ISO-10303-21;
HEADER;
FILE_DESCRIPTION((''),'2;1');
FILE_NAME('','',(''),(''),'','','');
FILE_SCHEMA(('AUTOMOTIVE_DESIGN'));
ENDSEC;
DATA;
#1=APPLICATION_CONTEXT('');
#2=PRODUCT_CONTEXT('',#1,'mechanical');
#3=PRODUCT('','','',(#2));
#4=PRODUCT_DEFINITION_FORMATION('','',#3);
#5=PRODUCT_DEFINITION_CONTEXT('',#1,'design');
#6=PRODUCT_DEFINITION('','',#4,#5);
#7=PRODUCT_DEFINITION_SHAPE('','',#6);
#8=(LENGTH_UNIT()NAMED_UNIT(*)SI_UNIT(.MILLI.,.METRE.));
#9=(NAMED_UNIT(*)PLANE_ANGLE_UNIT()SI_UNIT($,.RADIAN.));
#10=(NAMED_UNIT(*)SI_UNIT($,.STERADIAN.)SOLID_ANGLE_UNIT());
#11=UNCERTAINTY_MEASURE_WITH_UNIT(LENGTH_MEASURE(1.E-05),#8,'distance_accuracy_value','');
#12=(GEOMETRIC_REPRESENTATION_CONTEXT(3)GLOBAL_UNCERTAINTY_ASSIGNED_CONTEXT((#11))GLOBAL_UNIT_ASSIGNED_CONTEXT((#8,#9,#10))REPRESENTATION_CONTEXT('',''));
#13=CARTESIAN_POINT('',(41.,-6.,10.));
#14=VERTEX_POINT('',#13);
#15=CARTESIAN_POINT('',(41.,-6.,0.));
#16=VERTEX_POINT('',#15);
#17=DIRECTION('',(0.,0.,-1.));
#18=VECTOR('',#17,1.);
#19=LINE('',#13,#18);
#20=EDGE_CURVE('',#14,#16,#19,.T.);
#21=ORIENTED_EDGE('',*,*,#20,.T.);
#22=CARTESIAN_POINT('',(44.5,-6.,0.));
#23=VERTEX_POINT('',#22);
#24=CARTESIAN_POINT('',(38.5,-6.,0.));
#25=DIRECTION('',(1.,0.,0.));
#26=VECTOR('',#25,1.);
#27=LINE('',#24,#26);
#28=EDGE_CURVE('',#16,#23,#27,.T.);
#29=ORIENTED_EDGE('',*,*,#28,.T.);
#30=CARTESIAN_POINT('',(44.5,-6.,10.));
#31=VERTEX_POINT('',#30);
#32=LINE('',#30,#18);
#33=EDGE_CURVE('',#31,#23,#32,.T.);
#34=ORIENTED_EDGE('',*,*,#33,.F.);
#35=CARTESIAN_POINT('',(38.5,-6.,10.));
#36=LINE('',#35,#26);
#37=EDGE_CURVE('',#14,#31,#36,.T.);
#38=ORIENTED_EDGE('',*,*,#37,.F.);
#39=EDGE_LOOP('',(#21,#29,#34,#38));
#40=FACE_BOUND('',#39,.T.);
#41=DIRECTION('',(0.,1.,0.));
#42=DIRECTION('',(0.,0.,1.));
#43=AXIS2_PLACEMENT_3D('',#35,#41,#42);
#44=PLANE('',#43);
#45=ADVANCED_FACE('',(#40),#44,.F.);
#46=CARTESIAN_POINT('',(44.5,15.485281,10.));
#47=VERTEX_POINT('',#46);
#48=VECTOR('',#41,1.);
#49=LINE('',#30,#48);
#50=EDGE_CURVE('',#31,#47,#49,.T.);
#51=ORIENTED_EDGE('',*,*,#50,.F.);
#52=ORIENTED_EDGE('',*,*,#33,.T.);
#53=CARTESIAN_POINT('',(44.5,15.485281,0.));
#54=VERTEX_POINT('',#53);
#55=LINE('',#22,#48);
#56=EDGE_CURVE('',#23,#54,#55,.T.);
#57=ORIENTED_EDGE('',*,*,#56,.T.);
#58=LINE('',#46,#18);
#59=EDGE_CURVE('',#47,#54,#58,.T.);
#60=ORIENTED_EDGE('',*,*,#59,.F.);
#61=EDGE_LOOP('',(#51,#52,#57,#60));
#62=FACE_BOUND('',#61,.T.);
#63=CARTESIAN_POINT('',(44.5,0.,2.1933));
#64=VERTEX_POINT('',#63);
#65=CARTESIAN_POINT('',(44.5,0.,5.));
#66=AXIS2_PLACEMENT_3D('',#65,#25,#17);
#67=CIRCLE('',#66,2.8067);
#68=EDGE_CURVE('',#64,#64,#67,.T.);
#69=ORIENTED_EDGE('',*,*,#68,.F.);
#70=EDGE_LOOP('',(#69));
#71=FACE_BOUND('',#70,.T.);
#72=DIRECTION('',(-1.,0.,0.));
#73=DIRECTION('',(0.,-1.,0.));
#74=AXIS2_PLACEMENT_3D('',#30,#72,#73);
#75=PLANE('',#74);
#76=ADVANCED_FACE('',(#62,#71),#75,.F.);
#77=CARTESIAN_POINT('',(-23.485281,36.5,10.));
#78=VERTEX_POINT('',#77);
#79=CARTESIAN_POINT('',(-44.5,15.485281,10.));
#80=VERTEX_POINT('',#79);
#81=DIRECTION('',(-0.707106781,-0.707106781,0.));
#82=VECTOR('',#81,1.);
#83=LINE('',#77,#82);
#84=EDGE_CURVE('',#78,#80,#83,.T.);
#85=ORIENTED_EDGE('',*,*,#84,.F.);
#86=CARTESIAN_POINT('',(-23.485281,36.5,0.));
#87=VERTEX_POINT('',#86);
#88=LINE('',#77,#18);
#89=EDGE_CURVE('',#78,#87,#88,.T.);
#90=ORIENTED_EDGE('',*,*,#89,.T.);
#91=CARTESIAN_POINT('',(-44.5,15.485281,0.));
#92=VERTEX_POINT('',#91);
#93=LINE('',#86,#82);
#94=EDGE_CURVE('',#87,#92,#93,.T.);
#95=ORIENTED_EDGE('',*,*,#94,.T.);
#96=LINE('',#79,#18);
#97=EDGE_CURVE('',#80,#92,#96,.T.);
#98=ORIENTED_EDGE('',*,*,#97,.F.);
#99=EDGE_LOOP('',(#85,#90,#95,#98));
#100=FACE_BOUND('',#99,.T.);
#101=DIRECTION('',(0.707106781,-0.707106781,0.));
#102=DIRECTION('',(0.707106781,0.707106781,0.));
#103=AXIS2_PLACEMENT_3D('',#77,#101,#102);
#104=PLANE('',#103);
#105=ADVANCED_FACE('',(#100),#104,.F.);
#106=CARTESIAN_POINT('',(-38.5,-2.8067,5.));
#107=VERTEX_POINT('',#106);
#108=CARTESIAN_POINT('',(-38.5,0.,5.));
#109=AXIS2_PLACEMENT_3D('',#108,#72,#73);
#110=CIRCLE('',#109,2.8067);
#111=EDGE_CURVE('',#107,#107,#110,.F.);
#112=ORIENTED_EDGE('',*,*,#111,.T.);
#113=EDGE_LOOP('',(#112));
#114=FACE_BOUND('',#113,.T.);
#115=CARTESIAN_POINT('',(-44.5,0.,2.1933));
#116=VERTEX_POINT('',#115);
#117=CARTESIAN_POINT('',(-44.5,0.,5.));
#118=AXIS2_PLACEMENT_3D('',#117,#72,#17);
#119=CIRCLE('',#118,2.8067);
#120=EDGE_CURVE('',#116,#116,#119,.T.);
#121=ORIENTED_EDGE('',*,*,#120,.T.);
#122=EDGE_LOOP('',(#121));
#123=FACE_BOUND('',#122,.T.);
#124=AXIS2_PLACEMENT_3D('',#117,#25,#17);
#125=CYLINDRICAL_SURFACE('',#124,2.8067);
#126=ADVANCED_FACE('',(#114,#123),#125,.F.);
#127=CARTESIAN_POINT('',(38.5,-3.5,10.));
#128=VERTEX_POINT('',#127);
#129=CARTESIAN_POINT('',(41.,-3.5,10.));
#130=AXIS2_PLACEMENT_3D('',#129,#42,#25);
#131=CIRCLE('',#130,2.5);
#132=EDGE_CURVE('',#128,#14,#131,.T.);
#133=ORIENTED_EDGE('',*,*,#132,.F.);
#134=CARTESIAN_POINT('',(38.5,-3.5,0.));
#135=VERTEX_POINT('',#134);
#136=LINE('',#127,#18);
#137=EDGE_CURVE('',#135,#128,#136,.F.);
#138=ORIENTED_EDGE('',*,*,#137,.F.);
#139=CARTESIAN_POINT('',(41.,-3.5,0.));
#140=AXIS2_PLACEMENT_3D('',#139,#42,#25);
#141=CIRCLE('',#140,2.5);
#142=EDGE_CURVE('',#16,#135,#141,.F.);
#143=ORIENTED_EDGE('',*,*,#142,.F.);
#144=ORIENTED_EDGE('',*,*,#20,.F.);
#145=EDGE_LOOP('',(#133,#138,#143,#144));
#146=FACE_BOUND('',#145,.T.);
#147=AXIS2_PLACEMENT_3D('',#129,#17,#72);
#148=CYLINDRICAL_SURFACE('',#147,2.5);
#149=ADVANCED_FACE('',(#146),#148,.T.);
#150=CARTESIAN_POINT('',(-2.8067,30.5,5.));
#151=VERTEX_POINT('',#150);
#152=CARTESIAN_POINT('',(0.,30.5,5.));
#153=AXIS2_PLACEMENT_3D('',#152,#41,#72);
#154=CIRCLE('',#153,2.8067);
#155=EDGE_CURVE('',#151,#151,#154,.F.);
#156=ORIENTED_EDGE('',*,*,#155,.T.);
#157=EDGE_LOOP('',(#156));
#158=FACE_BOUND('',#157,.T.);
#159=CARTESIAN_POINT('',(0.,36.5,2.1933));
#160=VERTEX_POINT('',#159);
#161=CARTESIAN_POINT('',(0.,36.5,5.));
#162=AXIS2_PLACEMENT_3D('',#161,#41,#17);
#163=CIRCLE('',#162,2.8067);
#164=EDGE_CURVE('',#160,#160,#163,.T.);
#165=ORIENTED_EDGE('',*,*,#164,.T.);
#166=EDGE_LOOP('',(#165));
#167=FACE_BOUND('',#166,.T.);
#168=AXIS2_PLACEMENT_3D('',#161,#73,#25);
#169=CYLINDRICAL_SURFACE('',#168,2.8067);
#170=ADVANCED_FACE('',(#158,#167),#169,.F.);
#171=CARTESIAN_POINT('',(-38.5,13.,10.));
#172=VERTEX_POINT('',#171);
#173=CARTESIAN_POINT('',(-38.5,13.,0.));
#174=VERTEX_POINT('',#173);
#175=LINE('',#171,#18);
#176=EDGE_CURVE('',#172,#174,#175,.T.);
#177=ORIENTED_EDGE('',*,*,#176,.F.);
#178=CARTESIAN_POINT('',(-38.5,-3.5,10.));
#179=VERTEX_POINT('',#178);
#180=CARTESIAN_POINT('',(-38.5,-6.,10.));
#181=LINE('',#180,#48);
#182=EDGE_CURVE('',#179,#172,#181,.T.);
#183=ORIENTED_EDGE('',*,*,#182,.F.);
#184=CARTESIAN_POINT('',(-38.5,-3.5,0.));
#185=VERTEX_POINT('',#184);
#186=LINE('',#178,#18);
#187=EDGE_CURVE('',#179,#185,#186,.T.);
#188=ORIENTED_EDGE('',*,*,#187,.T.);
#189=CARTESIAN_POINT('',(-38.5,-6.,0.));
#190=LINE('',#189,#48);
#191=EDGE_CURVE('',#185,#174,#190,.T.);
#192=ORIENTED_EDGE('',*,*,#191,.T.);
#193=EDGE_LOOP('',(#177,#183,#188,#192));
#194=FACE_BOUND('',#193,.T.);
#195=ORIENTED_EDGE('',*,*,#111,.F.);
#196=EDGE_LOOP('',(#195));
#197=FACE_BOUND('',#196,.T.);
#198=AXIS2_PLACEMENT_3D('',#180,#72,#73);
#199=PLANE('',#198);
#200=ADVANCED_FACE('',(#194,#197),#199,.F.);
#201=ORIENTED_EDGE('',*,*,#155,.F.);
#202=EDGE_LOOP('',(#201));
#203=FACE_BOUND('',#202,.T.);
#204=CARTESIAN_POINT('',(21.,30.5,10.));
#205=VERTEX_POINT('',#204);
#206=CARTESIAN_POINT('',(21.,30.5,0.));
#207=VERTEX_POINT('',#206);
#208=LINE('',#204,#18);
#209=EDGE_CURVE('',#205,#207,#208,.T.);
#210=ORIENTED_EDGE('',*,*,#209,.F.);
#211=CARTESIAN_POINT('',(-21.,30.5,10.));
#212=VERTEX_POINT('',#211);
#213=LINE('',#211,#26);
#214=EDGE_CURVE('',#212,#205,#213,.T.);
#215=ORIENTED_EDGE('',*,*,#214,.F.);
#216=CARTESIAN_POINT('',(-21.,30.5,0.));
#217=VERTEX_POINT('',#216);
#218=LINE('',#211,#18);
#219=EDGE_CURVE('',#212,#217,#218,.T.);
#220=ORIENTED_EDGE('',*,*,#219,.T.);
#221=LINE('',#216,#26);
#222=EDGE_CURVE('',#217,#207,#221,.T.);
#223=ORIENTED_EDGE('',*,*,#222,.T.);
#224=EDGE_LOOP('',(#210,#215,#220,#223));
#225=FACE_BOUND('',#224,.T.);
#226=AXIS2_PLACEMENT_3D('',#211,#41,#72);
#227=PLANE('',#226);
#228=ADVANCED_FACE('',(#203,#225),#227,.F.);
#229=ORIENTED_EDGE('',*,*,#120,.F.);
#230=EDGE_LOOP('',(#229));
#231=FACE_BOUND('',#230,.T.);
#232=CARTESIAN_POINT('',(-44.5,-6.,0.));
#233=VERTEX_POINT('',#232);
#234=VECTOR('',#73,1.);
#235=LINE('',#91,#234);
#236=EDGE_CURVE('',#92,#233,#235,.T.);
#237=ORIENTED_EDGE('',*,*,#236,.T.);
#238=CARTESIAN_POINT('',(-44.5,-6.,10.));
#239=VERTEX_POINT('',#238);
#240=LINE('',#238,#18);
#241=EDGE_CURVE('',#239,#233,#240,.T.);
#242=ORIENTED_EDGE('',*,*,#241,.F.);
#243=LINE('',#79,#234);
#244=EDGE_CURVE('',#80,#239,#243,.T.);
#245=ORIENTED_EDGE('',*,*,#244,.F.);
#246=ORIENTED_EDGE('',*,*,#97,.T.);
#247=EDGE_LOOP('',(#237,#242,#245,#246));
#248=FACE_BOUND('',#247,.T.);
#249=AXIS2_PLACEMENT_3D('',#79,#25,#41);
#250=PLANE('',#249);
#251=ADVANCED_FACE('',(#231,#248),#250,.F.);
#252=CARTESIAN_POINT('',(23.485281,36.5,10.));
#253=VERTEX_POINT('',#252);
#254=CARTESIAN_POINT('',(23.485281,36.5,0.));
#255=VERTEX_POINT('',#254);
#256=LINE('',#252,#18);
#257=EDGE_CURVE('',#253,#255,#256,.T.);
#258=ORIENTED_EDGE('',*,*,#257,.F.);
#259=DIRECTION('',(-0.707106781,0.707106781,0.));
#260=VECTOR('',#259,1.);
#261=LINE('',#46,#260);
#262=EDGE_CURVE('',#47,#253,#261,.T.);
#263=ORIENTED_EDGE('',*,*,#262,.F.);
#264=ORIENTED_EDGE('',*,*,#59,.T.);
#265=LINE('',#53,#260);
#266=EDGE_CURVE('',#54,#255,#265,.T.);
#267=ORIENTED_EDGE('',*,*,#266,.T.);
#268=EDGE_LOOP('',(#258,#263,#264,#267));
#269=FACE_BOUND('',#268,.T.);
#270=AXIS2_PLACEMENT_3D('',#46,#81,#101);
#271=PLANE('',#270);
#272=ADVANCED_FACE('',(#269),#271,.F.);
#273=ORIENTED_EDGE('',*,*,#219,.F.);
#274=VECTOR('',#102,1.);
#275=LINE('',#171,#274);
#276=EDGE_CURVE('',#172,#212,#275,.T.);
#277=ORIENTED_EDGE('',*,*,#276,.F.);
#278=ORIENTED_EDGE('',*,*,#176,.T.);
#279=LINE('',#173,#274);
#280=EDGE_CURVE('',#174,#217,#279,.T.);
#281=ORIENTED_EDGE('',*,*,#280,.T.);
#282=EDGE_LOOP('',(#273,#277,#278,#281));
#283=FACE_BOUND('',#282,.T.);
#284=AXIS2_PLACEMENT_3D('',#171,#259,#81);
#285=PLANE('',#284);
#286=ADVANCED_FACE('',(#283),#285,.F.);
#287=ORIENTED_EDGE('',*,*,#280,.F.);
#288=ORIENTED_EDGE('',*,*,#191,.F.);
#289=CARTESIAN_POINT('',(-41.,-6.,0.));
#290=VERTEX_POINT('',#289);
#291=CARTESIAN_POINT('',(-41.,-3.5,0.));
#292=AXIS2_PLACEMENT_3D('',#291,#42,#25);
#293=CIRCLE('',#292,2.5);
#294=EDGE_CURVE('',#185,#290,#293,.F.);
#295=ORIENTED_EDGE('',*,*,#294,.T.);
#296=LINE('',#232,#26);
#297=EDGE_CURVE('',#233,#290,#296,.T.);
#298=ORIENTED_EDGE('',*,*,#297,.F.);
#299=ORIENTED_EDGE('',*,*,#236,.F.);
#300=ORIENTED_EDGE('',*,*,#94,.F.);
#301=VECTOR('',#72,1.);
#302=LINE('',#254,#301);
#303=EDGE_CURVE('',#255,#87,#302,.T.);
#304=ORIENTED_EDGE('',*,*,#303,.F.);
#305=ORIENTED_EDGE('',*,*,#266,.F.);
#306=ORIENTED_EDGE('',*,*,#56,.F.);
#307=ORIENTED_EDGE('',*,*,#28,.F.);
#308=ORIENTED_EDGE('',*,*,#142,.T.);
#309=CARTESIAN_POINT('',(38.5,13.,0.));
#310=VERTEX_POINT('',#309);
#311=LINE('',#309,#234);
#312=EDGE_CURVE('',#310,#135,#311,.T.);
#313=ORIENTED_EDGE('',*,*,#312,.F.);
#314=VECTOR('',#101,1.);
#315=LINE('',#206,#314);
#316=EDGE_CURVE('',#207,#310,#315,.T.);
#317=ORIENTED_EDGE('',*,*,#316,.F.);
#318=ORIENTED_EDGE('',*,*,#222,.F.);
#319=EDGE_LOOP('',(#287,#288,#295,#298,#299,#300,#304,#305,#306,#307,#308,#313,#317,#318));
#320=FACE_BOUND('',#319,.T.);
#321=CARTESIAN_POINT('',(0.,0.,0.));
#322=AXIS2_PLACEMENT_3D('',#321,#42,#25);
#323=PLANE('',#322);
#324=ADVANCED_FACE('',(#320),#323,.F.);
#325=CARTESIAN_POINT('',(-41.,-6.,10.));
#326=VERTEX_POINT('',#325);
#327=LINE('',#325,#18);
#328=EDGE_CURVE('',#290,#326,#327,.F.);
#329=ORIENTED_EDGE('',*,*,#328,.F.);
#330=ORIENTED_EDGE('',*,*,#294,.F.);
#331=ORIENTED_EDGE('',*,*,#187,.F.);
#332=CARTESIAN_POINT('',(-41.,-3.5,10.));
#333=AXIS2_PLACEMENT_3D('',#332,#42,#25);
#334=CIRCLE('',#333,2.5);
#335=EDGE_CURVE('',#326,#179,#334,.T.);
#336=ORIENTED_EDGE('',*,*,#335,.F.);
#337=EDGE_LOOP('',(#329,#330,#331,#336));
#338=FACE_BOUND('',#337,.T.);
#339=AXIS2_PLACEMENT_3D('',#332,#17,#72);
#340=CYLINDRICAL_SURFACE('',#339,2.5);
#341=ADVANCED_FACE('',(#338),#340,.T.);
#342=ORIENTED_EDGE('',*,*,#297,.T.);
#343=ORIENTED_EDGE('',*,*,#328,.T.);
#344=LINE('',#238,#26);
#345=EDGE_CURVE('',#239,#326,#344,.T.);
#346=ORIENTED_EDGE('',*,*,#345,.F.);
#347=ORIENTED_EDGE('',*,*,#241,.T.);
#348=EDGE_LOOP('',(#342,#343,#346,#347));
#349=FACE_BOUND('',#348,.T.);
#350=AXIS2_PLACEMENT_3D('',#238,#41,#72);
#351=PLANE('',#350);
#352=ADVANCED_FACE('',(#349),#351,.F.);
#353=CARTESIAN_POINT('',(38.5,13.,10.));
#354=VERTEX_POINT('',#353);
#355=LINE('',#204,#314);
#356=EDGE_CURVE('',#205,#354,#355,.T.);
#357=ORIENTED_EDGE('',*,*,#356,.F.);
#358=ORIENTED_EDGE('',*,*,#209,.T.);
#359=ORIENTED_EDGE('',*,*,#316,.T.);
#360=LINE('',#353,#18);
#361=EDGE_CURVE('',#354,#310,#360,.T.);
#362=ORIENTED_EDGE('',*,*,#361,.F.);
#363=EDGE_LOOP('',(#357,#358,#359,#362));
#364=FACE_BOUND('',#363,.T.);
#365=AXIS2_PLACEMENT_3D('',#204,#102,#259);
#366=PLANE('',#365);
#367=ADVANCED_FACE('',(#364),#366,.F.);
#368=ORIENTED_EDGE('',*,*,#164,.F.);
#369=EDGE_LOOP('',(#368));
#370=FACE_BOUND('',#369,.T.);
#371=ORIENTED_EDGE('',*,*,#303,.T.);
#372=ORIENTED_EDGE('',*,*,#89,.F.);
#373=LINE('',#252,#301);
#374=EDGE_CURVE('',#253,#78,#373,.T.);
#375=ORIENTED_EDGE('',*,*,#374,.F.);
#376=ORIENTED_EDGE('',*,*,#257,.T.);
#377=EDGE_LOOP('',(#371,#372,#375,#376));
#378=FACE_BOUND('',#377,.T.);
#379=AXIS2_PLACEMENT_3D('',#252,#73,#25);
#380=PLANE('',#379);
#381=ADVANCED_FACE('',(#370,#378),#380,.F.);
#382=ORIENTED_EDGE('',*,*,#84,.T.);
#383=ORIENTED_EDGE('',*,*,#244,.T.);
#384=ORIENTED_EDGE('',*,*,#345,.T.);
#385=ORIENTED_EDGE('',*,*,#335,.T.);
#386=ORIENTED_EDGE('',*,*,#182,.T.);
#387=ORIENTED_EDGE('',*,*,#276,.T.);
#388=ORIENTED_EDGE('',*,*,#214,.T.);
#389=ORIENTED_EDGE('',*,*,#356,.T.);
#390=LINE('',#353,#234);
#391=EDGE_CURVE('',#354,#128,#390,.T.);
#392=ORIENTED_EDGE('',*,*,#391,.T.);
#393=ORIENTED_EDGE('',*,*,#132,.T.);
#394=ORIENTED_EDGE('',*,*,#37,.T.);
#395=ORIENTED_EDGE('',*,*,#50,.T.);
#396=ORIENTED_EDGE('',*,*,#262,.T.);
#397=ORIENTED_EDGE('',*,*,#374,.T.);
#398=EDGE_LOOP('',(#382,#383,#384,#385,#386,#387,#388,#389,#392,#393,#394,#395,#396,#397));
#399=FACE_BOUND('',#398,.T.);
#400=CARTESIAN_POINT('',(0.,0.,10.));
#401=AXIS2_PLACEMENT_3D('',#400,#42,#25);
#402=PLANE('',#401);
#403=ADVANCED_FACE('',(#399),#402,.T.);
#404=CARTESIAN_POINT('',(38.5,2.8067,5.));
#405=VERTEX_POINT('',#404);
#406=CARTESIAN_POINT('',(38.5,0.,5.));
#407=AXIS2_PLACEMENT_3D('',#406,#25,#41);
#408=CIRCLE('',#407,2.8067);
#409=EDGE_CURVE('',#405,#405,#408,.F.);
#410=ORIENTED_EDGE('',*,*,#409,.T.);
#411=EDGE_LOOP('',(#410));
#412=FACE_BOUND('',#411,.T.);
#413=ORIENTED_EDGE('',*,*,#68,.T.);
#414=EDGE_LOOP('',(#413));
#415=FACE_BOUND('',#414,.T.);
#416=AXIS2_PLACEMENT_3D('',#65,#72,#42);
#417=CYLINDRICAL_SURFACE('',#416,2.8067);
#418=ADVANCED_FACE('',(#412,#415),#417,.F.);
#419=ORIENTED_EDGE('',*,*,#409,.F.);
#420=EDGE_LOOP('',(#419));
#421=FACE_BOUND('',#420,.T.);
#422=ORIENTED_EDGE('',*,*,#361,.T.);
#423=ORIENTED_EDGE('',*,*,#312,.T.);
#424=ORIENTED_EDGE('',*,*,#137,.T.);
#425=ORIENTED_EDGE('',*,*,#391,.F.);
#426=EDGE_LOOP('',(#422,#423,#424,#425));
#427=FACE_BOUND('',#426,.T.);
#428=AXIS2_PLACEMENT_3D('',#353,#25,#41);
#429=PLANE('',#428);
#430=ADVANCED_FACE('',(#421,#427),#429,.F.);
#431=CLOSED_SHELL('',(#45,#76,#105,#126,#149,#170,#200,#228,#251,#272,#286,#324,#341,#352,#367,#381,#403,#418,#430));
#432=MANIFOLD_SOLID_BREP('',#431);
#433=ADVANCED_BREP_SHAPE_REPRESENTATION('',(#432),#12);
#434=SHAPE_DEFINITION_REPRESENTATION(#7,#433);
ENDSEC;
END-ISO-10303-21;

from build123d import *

# Parameters (mm, degrees)
BOSS_EXTRUDE1_DEPTH = 10
SKETCH3_R           = 2.8067
CUT_EXTRUDE1_DEPTH  = 59.416607228
FILLET1_R           = 2.5
CIRPATTERN3_COUNT   = 3
CIRPATTERN3_ANGLE   = 180


with BuildPart() as part:
    # Sketch1 → Boss-Extrude1 (new body)
    with BuildSketch(Plane.XY):
        Polygon((-44.5, -6), (-38.5, -6), (-38.5, 13), (-21, 30.5), (21, 30.5), (38.5, 13), (38.5, -6), (44.5, -6), (44.5, 15.485281374), (23.485281374, 36.5), (-23.485281374, 36.5), (-44.5, 15.485281374), align=None)
    extrude(amount=BOSS_EXTRUDE1_DEPTH)

    # Sketch3 → Cut-Extrude1 (cut, through all)
    with BuildSketch(Plane(origin=(0, 0, 0), x_dir=(0, 0, -1), z_dir=(1, 0, 0))):
        with Locations((-5, 0)):
            Circle(SKETCH3_R)
    cut_extrude1 = extrude(amount=CUT_EXTRUDE1_DEPTH, mode=Mode.SUBTRACT)

    # Fillet1
    fillet1_edges = [part.edges().sort_by_distance(p)[0] for p in [
        (38.5, -6, 5),
        (-38.5, -6, 5),
    ]]
    fillet(fillet1_edges, radius=FILLET1_R)

    # CirPattern3: Cut-Extrude1 ×3 about axis
    cirpattern3_axis = Axis((0, 0, 0), (0, 0, 1))
    for i in range(1, CIRPATTERN3_COUNT):
        add(cut_extrude1.rotate(cirpattern3_axis, i * CIRPATTERN3_ANGLE / (CIRPATTERN3_COUNT - 1)), mode=Mode.SUBTRACT)


solid = part.part
